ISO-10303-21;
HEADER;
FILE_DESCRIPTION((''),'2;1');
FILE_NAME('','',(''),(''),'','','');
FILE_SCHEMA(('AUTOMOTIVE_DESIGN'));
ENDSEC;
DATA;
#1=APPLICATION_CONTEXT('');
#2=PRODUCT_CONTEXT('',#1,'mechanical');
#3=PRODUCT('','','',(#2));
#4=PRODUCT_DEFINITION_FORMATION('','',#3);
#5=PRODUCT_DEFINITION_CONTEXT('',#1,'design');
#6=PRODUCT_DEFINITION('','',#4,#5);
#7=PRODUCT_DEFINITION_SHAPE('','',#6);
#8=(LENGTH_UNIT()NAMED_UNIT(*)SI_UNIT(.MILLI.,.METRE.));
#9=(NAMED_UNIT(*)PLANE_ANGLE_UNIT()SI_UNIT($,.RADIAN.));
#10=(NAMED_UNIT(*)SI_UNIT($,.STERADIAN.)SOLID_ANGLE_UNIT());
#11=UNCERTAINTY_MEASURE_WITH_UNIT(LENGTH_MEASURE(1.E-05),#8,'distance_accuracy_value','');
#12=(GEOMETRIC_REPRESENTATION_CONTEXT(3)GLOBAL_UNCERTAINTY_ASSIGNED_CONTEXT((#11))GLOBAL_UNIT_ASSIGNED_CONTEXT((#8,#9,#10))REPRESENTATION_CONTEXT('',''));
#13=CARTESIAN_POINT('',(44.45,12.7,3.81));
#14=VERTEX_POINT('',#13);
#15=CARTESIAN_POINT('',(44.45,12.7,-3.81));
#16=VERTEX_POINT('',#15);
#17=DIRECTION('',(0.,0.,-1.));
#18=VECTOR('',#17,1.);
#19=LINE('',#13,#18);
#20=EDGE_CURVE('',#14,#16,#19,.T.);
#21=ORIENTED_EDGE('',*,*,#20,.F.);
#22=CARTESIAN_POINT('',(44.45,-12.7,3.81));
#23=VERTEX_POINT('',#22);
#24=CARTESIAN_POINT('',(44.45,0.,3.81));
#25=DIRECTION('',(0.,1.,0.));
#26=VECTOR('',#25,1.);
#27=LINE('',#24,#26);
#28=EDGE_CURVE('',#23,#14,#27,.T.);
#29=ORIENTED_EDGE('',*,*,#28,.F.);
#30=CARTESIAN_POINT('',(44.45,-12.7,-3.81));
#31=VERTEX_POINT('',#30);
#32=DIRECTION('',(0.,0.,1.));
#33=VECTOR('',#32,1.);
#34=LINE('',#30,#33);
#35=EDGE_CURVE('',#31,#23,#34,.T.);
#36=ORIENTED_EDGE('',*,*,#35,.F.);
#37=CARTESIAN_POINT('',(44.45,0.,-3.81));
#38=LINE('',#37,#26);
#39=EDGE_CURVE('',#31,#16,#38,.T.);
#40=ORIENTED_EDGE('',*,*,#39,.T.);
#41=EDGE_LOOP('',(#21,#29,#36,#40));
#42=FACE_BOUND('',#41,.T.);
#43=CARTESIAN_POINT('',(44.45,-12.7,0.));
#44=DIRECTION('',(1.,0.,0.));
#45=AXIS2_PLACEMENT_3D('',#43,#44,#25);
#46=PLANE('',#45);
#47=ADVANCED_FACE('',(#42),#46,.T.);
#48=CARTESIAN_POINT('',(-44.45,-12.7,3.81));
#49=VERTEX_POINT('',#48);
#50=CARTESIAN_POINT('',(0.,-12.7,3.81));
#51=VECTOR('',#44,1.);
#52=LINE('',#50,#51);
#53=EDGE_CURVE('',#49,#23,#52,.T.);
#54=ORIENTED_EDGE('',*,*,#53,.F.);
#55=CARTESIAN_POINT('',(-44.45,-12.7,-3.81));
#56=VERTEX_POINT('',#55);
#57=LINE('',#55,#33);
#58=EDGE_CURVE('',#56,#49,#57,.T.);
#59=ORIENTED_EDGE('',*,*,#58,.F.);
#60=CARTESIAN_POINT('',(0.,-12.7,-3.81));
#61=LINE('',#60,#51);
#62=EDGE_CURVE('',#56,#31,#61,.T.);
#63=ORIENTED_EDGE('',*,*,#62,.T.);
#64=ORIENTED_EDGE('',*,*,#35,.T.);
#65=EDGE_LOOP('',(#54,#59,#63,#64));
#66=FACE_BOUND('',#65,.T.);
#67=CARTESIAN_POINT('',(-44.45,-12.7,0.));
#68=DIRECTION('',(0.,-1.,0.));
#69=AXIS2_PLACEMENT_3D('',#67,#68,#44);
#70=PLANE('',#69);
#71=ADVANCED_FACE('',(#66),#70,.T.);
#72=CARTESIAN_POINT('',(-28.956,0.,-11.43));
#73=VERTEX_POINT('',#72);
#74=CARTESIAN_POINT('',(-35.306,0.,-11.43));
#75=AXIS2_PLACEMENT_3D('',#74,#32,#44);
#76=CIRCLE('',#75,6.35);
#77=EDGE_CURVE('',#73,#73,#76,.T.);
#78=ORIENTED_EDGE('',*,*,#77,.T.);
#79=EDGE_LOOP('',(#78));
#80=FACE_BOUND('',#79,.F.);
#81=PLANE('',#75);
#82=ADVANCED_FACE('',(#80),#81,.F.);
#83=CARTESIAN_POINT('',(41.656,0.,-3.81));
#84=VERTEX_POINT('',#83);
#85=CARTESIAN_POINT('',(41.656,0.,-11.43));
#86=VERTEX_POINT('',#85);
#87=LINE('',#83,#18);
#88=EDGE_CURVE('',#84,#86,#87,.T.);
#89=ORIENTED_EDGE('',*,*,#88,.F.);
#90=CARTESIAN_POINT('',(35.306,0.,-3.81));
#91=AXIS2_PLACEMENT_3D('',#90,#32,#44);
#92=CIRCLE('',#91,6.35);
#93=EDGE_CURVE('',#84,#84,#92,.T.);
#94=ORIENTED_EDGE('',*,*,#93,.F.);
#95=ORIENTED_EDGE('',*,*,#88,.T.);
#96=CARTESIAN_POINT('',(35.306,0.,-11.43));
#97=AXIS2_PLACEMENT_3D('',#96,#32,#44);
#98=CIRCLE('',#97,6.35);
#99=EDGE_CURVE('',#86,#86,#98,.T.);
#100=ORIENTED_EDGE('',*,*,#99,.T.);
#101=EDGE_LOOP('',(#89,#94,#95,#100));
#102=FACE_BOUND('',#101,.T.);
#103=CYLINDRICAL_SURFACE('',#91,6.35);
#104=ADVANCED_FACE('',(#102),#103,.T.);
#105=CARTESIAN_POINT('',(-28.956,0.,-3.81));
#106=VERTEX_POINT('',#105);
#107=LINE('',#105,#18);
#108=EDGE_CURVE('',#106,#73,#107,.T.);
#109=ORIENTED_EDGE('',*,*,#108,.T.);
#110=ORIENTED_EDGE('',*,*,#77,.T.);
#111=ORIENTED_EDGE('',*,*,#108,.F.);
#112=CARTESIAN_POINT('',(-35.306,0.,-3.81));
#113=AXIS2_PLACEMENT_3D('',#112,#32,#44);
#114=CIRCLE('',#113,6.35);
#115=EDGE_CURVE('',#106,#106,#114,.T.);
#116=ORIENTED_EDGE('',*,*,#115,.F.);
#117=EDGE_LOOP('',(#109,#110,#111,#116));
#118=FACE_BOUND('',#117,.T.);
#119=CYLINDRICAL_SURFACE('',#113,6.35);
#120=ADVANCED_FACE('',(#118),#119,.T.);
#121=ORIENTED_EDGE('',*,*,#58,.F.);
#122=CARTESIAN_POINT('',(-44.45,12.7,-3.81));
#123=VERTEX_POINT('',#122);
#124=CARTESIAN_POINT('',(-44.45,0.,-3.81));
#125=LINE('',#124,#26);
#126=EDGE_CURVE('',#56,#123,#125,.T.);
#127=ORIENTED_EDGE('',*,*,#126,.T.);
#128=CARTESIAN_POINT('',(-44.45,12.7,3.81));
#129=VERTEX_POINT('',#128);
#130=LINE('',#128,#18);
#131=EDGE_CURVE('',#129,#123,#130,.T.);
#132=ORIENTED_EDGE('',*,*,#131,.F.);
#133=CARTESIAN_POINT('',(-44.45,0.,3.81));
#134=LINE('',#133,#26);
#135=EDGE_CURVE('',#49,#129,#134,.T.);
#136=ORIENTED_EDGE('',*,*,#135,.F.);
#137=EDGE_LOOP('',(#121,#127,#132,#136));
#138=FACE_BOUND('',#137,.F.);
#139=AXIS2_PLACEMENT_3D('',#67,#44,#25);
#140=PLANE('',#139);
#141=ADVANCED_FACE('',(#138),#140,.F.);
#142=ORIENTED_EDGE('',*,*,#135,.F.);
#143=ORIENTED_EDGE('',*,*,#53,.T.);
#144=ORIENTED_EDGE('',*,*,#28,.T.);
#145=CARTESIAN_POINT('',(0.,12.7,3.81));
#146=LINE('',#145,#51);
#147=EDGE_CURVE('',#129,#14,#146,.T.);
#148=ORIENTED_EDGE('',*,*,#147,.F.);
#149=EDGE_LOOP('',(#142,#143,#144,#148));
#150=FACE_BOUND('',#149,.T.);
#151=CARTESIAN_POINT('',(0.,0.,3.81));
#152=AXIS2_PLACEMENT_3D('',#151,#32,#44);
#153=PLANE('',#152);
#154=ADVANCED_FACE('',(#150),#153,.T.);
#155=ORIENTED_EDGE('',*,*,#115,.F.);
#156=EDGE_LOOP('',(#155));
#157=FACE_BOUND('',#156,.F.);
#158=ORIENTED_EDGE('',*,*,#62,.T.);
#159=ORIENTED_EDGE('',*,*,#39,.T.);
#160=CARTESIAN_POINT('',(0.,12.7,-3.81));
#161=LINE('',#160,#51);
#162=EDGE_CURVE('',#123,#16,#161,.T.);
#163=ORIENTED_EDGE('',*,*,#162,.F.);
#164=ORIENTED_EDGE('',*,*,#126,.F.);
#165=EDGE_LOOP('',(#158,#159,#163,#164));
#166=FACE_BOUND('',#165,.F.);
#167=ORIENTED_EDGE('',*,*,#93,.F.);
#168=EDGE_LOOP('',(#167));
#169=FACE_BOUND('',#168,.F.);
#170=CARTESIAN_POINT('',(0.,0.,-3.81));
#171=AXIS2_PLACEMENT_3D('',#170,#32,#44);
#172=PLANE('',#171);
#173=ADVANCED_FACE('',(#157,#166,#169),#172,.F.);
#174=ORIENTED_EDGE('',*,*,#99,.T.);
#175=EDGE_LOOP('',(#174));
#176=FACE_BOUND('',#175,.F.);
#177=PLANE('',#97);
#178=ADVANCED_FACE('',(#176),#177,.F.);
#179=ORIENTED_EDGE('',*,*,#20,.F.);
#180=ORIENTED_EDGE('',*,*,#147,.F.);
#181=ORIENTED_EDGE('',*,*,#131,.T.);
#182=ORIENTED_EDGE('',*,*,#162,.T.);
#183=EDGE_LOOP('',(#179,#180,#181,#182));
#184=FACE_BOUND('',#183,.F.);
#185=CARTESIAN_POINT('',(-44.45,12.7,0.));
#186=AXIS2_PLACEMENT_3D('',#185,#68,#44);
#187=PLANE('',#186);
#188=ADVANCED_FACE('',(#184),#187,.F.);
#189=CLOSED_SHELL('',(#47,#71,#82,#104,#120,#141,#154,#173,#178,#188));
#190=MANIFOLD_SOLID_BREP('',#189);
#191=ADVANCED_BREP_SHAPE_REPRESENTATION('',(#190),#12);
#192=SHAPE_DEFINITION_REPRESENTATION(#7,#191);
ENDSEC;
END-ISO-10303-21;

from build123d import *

# Parameters (mm, degrees)
F0_W     = 88.9
F0_H     = 25.4
F1_DEPTH = 3.81
F3_R     = 6.35
F4_DEPTH = 7.62


with BuildPart() as f1:
    # F0 (on Top) → F1 (new body, symmetric)
    with BuildSketch(Plane.XY):
        Rectangle(F0_W, F0_H)
    extrude(amount=F1_DEPTH, both=True)

    # F3 (on offset) → F4 (join)
    with BuildSketch(Plane.XY.offset(-3.81)):
        with Locations((-35.306, 0)):
            Circle(F3_R)
        with Locations((35.306, 0)):
            Circle(F3_R)
    extrude(amount=-F4_DEPTH)


solid = f1.part
